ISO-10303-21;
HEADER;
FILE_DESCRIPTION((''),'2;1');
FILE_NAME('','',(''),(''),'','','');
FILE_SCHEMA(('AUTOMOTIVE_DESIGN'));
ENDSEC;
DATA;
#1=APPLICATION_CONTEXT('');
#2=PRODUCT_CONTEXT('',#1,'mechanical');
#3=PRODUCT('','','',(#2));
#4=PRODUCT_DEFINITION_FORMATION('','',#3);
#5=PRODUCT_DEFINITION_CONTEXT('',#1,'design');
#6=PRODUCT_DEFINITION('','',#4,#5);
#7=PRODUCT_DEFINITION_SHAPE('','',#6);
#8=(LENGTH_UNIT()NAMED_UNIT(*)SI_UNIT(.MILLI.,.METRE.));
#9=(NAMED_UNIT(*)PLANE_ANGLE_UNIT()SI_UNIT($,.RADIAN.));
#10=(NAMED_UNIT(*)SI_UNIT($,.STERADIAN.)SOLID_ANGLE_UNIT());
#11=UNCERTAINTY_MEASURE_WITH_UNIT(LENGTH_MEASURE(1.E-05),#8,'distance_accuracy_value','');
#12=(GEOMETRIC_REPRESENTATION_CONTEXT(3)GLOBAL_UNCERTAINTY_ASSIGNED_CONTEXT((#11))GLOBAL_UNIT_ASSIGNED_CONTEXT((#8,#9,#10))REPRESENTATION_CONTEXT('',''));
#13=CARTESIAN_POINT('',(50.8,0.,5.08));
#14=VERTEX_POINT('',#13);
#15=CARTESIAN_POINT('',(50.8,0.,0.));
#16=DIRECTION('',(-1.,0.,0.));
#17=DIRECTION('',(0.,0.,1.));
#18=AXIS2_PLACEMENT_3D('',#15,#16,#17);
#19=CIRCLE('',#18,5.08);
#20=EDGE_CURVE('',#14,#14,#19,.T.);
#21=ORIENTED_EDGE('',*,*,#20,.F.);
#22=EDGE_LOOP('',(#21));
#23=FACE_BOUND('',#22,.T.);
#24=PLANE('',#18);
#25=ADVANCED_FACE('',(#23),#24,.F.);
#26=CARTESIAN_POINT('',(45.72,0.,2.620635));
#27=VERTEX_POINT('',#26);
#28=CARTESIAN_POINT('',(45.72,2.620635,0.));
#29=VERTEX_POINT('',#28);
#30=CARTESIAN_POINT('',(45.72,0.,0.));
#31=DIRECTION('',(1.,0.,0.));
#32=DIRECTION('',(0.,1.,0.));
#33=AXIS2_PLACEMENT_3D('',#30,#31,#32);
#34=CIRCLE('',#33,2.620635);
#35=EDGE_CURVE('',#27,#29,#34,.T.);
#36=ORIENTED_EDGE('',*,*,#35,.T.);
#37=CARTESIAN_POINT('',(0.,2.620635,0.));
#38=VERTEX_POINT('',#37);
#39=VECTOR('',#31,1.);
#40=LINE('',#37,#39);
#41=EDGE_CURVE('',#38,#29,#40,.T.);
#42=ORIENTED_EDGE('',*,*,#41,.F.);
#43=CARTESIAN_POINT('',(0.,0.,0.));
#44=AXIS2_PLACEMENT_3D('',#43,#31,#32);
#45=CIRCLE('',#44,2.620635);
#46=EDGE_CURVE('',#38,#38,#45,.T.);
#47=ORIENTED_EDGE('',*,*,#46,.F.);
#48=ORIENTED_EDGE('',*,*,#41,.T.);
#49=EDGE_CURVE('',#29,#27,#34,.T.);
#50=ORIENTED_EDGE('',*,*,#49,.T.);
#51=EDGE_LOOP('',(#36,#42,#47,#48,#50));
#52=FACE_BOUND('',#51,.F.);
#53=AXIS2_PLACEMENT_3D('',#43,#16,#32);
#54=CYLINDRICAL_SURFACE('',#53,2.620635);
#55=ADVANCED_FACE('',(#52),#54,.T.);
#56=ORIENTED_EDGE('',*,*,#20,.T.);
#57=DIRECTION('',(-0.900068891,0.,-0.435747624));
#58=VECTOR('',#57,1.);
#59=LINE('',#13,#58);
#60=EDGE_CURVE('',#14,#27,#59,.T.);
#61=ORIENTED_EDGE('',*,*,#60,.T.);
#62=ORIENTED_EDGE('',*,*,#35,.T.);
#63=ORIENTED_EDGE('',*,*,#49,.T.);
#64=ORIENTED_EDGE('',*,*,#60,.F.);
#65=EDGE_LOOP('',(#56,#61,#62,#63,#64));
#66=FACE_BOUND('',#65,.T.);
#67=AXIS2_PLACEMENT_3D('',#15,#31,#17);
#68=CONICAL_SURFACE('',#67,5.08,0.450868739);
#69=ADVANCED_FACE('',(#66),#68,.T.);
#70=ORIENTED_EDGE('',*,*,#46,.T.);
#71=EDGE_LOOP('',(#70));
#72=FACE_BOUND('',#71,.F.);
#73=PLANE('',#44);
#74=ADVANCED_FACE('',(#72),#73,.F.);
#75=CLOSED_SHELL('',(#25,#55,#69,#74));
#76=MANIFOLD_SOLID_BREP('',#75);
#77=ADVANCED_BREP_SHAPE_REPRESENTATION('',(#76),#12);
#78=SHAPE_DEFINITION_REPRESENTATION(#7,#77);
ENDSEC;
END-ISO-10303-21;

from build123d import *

# Parameters (mm, degrees)
F0_R     = 2.620635
F1_DEPTH = 45.72


with BuildPart() as f1:
    # F0 (on Right) → F1 (new body)
    with BuildSketch(Plane.YZ):
        Circle(F0_R)
    extrude(amount=F1_DEPTH)

    # F2 (on Front) → F3 (revolve)
    with BuildSketch(Plane.XZ):
        Polygon((50.8, 5.08), (45.72, 2.620635), (45.72, 0), (50.8, 0), align=None)
    revolve(axis=Axis((48.26, 0, 0), (-1, 0, 0)))


solid = f1.part
